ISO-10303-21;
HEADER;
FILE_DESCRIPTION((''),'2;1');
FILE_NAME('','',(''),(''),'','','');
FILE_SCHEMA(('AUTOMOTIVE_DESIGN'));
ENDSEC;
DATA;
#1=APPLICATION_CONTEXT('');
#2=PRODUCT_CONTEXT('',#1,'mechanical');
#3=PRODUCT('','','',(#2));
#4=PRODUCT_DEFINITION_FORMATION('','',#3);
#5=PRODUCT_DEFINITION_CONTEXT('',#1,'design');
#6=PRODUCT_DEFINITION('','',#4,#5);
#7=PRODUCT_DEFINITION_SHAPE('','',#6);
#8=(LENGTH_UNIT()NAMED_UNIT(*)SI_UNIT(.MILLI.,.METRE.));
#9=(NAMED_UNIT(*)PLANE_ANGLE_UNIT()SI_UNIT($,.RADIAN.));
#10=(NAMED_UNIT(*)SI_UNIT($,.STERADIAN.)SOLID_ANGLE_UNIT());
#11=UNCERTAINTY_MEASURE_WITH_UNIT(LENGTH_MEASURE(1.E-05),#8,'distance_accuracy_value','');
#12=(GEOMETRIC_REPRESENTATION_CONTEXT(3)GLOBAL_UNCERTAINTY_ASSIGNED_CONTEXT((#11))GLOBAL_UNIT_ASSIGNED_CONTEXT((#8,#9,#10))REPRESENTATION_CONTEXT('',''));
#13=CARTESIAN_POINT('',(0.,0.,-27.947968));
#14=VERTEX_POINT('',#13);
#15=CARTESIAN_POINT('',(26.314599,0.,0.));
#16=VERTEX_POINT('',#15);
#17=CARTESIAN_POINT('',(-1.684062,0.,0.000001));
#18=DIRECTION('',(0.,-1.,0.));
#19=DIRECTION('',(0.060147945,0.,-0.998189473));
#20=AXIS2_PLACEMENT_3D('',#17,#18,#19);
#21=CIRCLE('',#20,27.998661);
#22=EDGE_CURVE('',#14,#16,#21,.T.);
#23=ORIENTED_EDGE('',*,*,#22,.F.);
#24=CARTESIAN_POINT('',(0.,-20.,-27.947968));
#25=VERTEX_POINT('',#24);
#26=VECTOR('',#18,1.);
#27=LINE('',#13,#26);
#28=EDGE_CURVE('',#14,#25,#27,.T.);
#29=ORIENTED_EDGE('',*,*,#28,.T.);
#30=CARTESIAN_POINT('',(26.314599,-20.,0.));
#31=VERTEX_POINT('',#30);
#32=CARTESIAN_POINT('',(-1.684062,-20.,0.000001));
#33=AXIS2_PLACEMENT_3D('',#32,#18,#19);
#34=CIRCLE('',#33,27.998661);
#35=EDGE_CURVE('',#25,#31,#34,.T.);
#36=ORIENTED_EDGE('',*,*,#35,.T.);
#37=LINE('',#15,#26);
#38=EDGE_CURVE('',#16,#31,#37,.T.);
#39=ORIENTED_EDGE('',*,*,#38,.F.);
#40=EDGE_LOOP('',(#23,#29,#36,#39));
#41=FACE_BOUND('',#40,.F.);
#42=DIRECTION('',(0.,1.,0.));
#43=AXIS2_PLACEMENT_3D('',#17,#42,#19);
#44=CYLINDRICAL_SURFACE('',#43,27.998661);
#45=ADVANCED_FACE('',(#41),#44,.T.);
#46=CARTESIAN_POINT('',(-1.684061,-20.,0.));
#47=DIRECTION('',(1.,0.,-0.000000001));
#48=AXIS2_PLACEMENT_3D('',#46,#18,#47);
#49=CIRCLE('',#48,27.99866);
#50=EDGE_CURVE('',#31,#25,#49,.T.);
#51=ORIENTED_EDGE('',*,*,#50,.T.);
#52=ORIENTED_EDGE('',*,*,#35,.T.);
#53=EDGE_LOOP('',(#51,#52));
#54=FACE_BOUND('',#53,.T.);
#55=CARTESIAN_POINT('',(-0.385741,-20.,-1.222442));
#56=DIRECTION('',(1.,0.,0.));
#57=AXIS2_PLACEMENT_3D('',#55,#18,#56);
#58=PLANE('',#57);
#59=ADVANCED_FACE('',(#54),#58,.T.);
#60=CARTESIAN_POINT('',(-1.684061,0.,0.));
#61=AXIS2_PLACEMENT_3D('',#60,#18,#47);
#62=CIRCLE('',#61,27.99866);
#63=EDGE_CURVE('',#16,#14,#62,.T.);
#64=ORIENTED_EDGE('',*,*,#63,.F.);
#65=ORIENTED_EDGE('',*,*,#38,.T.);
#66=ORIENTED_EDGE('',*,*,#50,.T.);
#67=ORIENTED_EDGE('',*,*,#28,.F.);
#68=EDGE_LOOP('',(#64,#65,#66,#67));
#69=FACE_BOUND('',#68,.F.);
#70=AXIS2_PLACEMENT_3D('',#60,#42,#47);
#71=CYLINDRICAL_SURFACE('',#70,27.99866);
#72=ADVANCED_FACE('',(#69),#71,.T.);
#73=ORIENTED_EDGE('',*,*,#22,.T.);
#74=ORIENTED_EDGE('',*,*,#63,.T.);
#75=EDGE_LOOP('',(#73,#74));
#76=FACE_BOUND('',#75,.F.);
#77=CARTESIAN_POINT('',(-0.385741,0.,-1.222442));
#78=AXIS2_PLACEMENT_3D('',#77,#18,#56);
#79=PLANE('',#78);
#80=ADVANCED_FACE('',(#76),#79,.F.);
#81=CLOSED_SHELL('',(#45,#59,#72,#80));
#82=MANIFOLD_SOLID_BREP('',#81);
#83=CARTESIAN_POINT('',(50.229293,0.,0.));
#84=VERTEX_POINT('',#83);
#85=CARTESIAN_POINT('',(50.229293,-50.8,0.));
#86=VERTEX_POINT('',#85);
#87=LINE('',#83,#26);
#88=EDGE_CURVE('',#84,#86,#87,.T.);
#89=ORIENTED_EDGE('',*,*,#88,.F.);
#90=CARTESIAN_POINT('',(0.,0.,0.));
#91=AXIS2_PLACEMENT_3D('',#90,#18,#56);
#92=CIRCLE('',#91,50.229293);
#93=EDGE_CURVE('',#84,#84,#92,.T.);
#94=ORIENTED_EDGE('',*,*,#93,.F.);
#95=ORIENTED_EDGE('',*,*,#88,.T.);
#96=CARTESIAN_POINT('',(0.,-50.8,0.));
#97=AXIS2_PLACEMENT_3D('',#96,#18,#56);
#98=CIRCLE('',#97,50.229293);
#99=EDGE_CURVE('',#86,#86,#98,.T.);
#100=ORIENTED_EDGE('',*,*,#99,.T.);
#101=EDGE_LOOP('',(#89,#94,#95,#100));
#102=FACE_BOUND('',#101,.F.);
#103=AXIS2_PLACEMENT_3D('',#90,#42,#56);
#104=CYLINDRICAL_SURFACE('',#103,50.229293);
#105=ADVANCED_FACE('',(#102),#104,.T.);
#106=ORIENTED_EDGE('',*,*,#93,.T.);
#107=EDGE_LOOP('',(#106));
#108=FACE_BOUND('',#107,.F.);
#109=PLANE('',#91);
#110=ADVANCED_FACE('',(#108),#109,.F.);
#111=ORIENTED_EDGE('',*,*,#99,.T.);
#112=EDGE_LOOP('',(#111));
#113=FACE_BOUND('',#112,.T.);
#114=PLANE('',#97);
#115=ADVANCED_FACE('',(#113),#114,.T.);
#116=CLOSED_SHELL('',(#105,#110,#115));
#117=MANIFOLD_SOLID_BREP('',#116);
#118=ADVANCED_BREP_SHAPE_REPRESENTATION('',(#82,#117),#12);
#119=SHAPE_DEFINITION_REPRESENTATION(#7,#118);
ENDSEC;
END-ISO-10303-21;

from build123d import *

# Parameters (mm, degrees)
F0_R     = 50.229293
F1_DEPTH = 50.8
F3_DEPTH = 20


with BuildPart() as f1:
    # F0 (on Front) → F1 (new body)
    with BuildSketch(Plane.XZ):
        Circle(F0_R)
    extrude(amount=F1_DEPTH)


with BuildPart() as f3:
    # F2 (on Front) → F3 (new body)
    with BuildSketch(Plane.XZ):
        with BuildLine():
            ThreePointArc((0, -27.947968), (18.700693, -19.193404), (26.314599, 0))
            ThreePointArc((26.314599, 0), (-22.068816, 19.193404), (0, -27.947968))
        make_face()
    extrude(amount=F3_DEPTH)


solid = Compound([f1.part, f3.part])
